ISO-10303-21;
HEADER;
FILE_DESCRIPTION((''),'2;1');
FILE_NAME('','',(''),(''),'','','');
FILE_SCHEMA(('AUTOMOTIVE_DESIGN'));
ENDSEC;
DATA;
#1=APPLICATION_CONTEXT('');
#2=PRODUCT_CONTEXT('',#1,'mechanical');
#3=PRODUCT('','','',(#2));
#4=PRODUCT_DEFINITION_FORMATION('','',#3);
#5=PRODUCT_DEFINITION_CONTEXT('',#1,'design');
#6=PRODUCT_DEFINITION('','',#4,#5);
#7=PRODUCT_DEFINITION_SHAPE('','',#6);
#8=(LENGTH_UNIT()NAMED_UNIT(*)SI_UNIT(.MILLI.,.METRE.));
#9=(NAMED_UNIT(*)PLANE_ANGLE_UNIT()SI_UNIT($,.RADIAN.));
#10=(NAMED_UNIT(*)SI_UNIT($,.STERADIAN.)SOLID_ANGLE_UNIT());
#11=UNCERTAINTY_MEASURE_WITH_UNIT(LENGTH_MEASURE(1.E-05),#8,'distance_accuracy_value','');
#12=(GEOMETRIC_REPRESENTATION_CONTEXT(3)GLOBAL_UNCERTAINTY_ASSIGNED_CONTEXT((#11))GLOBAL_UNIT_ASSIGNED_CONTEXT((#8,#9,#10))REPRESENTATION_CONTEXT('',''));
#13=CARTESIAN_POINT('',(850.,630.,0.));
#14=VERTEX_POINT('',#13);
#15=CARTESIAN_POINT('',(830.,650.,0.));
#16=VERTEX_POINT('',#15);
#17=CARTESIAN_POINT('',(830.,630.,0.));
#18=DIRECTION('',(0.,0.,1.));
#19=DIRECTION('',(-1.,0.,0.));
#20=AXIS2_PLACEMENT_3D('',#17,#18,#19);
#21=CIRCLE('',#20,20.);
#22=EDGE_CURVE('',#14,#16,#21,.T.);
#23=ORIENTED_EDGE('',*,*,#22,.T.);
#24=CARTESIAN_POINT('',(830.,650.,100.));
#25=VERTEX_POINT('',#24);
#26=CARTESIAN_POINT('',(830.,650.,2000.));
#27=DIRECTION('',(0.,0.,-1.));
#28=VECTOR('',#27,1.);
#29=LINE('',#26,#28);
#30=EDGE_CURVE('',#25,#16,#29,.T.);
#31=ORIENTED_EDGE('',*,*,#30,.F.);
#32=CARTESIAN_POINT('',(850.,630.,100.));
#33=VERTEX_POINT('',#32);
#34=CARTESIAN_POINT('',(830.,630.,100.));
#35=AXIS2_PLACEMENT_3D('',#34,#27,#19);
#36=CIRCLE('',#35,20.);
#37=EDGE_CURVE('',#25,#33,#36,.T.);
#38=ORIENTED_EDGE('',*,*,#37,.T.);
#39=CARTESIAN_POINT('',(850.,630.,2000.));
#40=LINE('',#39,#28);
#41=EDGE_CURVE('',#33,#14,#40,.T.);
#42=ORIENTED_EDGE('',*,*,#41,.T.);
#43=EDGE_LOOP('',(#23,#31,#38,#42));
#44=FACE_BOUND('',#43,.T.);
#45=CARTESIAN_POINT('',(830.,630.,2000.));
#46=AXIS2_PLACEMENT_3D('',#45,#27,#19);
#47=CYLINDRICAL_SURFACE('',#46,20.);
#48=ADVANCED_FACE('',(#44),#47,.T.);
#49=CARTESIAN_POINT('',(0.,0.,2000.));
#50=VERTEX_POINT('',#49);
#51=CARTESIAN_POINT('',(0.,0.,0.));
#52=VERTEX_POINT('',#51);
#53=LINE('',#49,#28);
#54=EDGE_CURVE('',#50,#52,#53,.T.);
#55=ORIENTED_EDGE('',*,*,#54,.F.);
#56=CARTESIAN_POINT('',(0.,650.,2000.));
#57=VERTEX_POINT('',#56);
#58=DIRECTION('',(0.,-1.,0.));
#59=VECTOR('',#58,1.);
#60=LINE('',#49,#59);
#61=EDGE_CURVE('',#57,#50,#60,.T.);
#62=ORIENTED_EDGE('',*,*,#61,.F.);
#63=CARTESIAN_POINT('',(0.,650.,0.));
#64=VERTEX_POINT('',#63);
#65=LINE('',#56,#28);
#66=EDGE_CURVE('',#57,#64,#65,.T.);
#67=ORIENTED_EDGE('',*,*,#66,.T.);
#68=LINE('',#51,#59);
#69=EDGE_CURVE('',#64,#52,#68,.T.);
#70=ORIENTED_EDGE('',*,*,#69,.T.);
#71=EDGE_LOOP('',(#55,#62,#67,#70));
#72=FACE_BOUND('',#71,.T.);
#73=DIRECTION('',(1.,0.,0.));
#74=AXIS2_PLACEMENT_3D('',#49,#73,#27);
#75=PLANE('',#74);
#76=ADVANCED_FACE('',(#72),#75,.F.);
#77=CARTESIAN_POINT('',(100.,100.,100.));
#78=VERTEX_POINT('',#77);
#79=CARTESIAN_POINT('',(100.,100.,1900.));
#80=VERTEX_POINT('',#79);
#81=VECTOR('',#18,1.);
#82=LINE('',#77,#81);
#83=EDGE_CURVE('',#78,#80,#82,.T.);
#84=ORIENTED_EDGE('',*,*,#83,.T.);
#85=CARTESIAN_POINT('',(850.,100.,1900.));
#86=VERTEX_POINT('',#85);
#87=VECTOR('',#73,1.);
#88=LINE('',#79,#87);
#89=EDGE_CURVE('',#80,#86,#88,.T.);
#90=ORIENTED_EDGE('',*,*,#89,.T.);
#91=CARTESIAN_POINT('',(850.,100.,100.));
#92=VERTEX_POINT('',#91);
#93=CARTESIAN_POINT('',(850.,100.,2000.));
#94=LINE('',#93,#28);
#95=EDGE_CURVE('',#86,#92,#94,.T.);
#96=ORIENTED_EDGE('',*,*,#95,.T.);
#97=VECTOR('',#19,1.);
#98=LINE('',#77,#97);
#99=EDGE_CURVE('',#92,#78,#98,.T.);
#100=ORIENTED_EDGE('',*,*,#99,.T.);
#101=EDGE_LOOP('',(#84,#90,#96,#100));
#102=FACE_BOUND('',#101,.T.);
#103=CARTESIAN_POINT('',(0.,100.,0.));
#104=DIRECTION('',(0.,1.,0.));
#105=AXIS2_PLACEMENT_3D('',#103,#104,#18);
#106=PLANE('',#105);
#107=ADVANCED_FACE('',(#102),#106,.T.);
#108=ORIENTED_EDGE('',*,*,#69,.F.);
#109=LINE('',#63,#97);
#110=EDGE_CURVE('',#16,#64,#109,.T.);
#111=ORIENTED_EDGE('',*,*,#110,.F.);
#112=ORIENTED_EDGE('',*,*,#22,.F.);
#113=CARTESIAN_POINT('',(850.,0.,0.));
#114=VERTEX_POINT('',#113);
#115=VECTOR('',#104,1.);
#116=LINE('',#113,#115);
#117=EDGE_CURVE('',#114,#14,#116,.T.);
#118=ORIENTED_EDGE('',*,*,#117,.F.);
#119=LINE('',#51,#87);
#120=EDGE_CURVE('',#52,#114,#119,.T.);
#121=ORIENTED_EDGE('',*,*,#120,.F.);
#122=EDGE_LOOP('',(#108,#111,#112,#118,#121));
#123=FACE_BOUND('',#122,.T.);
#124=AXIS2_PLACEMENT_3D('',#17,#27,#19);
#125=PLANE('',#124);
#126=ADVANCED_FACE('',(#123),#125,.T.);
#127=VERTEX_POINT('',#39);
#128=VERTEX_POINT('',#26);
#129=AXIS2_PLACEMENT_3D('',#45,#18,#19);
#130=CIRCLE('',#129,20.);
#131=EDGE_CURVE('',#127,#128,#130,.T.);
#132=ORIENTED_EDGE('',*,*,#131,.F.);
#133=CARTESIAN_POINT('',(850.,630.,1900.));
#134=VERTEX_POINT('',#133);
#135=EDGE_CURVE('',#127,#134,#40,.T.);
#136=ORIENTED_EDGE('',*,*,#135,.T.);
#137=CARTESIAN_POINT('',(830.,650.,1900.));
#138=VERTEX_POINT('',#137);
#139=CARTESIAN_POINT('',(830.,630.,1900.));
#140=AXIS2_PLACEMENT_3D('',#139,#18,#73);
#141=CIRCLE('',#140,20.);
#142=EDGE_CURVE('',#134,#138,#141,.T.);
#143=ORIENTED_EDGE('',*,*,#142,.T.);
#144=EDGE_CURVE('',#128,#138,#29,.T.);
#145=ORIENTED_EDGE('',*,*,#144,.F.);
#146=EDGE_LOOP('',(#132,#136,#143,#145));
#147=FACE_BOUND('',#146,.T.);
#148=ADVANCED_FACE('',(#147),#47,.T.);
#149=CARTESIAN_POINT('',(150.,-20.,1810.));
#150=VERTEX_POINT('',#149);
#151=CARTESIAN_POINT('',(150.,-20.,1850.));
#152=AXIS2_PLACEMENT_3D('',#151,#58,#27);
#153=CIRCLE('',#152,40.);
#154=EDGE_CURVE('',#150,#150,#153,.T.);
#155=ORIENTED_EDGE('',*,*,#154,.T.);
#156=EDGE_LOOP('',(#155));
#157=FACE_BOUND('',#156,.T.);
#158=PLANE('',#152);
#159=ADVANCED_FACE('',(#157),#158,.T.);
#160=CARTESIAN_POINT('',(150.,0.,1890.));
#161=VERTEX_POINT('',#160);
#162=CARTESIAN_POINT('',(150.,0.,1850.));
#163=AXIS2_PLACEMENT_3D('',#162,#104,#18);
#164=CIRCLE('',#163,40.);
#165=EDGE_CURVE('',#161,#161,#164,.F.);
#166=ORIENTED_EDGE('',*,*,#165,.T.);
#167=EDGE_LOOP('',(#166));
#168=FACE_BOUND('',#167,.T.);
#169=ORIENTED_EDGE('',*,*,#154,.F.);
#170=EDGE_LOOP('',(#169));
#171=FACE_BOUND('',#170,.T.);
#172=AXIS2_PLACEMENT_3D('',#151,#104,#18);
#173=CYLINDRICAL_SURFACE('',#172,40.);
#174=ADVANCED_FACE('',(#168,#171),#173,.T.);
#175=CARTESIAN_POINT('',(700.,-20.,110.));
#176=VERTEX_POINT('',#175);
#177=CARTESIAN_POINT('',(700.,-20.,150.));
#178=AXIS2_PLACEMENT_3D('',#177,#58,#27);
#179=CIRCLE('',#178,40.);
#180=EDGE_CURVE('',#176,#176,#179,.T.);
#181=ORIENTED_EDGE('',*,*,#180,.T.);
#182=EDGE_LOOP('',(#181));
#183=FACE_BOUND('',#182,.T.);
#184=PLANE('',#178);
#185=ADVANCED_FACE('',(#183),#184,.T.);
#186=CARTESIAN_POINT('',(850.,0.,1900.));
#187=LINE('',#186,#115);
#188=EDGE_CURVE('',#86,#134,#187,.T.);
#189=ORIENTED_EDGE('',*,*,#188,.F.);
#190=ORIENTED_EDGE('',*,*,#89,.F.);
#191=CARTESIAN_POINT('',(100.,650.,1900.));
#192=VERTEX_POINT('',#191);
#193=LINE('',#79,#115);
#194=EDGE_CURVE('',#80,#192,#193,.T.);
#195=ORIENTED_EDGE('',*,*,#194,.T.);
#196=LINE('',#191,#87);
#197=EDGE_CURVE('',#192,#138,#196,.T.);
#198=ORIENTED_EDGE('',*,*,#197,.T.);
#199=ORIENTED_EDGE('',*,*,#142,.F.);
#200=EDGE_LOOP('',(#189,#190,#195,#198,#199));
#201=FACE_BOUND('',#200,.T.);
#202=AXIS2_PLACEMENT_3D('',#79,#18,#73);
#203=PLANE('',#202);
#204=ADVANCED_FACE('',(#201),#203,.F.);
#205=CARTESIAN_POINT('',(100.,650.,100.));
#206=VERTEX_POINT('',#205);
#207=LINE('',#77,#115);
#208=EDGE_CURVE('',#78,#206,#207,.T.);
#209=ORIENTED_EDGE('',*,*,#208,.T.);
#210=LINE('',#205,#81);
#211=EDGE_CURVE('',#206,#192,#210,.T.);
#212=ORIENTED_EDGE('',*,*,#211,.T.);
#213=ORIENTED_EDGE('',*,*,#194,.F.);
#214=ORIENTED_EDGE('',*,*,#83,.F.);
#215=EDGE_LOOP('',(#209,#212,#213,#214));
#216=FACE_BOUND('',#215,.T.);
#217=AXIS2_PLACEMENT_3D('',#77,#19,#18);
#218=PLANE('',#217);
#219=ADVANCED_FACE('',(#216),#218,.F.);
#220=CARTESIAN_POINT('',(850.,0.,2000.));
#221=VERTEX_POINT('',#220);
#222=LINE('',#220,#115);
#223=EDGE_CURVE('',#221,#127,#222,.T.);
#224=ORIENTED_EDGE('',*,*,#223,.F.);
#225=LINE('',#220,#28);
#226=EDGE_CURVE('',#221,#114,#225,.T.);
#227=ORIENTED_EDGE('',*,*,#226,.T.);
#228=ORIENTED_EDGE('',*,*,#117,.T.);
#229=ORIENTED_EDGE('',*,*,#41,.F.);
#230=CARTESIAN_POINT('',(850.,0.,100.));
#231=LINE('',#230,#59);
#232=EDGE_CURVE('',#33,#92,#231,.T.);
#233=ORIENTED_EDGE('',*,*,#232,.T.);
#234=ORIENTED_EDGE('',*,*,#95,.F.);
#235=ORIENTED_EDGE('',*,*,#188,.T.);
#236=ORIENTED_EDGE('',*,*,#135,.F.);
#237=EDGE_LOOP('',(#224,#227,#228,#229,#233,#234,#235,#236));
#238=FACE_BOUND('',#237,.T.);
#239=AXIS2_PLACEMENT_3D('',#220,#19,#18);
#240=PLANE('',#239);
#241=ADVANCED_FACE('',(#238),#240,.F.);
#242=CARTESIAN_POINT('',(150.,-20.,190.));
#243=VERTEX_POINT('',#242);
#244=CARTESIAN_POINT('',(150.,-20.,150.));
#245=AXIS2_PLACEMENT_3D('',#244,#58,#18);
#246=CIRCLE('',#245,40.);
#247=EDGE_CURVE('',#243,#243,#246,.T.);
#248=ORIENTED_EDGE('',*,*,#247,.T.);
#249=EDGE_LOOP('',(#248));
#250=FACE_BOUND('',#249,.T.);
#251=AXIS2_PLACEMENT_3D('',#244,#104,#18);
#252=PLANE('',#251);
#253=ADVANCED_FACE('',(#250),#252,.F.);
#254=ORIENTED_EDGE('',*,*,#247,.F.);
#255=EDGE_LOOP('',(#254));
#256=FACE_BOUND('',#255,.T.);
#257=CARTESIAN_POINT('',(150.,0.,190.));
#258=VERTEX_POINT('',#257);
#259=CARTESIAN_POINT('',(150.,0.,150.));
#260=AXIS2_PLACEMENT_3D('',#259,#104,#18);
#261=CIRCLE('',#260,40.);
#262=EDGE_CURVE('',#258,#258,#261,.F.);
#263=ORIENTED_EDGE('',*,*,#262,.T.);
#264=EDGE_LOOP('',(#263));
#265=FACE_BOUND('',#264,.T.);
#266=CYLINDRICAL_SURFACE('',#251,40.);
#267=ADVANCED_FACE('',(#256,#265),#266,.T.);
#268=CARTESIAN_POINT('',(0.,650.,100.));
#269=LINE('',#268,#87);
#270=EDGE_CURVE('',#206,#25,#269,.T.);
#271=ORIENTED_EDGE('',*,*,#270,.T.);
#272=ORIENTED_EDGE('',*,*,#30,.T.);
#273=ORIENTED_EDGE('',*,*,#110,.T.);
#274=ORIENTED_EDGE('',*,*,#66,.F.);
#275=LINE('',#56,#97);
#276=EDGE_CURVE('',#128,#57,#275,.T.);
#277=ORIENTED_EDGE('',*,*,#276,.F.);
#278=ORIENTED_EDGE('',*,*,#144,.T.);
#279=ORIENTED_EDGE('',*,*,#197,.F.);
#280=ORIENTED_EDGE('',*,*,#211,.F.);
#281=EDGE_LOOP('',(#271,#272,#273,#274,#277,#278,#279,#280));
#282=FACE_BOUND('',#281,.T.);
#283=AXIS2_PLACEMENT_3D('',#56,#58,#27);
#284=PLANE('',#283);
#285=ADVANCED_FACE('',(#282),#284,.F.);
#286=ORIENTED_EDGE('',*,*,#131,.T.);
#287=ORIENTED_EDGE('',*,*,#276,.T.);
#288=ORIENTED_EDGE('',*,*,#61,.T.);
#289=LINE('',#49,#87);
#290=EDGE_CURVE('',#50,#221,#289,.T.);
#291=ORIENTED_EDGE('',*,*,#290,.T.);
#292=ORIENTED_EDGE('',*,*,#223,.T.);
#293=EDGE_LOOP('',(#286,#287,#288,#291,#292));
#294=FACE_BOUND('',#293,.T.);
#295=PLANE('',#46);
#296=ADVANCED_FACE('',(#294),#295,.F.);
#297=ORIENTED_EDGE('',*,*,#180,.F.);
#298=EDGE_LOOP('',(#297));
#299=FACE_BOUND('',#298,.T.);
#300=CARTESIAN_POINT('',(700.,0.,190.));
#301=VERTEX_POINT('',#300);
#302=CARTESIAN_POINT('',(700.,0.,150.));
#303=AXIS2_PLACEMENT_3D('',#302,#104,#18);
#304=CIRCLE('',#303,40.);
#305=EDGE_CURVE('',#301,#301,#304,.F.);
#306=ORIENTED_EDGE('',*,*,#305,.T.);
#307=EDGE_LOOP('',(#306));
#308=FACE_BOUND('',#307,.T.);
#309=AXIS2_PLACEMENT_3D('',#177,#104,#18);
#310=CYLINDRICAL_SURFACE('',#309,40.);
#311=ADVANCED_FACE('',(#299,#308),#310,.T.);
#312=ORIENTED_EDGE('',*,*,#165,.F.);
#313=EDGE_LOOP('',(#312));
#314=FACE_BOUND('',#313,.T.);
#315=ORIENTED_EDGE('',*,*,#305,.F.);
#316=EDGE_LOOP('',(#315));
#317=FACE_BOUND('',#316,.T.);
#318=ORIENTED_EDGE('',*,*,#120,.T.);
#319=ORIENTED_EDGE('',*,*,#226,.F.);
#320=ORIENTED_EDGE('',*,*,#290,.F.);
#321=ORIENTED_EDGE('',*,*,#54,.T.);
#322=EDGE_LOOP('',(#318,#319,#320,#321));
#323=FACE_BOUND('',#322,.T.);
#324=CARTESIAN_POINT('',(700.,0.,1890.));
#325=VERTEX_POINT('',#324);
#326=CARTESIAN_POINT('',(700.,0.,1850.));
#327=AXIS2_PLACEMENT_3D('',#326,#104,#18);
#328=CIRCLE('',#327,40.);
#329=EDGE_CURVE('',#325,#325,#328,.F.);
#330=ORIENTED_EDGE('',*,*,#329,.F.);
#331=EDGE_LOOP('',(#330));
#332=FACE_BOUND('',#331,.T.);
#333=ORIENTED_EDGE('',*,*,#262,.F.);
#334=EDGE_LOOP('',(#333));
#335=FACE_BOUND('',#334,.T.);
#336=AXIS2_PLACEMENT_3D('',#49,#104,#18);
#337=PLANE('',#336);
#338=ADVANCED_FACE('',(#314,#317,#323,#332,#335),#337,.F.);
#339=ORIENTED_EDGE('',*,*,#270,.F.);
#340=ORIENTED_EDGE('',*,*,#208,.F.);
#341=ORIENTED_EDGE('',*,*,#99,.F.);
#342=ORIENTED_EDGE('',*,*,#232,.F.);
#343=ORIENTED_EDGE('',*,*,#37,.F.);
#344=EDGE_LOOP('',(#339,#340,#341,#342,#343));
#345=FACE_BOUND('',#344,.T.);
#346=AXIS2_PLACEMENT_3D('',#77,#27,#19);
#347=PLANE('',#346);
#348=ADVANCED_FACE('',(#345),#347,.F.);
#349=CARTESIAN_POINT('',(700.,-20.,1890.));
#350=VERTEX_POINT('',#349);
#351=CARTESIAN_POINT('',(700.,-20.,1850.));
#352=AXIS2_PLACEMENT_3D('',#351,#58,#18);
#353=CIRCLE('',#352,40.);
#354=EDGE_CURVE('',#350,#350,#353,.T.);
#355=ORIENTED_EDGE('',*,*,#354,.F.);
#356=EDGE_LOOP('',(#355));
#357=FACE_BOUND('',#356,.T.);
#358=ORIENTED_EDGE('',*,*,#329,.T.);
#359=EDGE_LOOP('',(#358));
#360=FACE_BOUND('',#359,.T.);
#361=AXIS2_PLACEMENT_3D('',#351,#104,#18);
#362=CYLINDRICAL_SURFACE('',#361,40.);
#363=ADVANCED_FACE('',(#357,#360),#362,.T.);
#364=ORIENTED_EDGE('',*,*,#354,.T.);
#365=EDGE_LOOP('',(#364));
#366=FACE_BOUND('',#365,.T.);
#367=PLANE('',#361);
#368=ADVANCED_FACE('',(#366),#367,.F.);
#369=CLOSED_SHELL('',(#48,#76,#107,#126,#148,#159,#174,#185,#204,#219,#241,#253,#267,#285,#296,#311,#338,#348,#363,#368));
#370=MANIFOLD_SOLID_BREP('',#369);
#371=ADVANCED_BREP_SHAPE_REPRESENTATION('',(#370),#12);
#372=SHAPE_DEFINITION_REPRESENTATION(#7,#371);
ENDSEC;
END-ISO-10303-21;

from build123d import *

# Parameters (mm, degrees)
BOSS_EXTRUDE1_DEPTH = 2000
SKETCH2_W           = 1015.39839311
SKETCH2_H           = 1800
CUT_EXTRUDE1_DEPTH  = 550
SKETCH3_R           = 40
BOSS_EXTRUDE2_DEPTH = 20


with BuildPart() as part:
    # Sketch1 → Boss-Extrude1 (new body)
    with BuildSketch(Plane.XY):
        with BuildLine():
            Line((0, 0), (850, 0))
            Line((850, 0), (850, 630))
            ThreePointArc((850, 630), (844.142135624, 644.142135624), (830, 650))
            Line((830, 650), (0, 650))
            Line((0, 650), (0, 0))
        make_face()
    extrude(amount=BOSS_EXTRUDE1_DEPTH)

    # Sketch2 → Cut-Extrude1 (cut)
    with BuildSketch(Plane(origin=(0, 650, 0), x_dir=(1, 0, 0), z_dir=(0, 1, 0))):
        with Locations((607.699196555, -1000)):
            Rectangle(SKETCH2_W, SKETCH2_H)
    extrude(amount=-CUT_EXTRUDE1_DEPTH, mode=Mode.SUBTRACT)

    # Sketch3 → Boss-Extrude2 (add)
    with BuildSketch(Plane.XZ):
        with Locations(Location((150, 1850, 0), (0, 0, 90))):
            Circle(SKETCH3_R)
        with Locations(Location((700, 1850, 0), (0, 0, 90))):
            Circle(SKETCH3_R)
        with Locations(Location((700, 150, 0), (0, 0, 90))):
            Circle(SKETCH3_R)
        with Locations(Location((150, 150, 0), (0, 0, 90))):
            Circle(SKETCH3_R)
    extrude(amount=BOSS_EXTRUDE2_DEPTH)


solid = part.part
